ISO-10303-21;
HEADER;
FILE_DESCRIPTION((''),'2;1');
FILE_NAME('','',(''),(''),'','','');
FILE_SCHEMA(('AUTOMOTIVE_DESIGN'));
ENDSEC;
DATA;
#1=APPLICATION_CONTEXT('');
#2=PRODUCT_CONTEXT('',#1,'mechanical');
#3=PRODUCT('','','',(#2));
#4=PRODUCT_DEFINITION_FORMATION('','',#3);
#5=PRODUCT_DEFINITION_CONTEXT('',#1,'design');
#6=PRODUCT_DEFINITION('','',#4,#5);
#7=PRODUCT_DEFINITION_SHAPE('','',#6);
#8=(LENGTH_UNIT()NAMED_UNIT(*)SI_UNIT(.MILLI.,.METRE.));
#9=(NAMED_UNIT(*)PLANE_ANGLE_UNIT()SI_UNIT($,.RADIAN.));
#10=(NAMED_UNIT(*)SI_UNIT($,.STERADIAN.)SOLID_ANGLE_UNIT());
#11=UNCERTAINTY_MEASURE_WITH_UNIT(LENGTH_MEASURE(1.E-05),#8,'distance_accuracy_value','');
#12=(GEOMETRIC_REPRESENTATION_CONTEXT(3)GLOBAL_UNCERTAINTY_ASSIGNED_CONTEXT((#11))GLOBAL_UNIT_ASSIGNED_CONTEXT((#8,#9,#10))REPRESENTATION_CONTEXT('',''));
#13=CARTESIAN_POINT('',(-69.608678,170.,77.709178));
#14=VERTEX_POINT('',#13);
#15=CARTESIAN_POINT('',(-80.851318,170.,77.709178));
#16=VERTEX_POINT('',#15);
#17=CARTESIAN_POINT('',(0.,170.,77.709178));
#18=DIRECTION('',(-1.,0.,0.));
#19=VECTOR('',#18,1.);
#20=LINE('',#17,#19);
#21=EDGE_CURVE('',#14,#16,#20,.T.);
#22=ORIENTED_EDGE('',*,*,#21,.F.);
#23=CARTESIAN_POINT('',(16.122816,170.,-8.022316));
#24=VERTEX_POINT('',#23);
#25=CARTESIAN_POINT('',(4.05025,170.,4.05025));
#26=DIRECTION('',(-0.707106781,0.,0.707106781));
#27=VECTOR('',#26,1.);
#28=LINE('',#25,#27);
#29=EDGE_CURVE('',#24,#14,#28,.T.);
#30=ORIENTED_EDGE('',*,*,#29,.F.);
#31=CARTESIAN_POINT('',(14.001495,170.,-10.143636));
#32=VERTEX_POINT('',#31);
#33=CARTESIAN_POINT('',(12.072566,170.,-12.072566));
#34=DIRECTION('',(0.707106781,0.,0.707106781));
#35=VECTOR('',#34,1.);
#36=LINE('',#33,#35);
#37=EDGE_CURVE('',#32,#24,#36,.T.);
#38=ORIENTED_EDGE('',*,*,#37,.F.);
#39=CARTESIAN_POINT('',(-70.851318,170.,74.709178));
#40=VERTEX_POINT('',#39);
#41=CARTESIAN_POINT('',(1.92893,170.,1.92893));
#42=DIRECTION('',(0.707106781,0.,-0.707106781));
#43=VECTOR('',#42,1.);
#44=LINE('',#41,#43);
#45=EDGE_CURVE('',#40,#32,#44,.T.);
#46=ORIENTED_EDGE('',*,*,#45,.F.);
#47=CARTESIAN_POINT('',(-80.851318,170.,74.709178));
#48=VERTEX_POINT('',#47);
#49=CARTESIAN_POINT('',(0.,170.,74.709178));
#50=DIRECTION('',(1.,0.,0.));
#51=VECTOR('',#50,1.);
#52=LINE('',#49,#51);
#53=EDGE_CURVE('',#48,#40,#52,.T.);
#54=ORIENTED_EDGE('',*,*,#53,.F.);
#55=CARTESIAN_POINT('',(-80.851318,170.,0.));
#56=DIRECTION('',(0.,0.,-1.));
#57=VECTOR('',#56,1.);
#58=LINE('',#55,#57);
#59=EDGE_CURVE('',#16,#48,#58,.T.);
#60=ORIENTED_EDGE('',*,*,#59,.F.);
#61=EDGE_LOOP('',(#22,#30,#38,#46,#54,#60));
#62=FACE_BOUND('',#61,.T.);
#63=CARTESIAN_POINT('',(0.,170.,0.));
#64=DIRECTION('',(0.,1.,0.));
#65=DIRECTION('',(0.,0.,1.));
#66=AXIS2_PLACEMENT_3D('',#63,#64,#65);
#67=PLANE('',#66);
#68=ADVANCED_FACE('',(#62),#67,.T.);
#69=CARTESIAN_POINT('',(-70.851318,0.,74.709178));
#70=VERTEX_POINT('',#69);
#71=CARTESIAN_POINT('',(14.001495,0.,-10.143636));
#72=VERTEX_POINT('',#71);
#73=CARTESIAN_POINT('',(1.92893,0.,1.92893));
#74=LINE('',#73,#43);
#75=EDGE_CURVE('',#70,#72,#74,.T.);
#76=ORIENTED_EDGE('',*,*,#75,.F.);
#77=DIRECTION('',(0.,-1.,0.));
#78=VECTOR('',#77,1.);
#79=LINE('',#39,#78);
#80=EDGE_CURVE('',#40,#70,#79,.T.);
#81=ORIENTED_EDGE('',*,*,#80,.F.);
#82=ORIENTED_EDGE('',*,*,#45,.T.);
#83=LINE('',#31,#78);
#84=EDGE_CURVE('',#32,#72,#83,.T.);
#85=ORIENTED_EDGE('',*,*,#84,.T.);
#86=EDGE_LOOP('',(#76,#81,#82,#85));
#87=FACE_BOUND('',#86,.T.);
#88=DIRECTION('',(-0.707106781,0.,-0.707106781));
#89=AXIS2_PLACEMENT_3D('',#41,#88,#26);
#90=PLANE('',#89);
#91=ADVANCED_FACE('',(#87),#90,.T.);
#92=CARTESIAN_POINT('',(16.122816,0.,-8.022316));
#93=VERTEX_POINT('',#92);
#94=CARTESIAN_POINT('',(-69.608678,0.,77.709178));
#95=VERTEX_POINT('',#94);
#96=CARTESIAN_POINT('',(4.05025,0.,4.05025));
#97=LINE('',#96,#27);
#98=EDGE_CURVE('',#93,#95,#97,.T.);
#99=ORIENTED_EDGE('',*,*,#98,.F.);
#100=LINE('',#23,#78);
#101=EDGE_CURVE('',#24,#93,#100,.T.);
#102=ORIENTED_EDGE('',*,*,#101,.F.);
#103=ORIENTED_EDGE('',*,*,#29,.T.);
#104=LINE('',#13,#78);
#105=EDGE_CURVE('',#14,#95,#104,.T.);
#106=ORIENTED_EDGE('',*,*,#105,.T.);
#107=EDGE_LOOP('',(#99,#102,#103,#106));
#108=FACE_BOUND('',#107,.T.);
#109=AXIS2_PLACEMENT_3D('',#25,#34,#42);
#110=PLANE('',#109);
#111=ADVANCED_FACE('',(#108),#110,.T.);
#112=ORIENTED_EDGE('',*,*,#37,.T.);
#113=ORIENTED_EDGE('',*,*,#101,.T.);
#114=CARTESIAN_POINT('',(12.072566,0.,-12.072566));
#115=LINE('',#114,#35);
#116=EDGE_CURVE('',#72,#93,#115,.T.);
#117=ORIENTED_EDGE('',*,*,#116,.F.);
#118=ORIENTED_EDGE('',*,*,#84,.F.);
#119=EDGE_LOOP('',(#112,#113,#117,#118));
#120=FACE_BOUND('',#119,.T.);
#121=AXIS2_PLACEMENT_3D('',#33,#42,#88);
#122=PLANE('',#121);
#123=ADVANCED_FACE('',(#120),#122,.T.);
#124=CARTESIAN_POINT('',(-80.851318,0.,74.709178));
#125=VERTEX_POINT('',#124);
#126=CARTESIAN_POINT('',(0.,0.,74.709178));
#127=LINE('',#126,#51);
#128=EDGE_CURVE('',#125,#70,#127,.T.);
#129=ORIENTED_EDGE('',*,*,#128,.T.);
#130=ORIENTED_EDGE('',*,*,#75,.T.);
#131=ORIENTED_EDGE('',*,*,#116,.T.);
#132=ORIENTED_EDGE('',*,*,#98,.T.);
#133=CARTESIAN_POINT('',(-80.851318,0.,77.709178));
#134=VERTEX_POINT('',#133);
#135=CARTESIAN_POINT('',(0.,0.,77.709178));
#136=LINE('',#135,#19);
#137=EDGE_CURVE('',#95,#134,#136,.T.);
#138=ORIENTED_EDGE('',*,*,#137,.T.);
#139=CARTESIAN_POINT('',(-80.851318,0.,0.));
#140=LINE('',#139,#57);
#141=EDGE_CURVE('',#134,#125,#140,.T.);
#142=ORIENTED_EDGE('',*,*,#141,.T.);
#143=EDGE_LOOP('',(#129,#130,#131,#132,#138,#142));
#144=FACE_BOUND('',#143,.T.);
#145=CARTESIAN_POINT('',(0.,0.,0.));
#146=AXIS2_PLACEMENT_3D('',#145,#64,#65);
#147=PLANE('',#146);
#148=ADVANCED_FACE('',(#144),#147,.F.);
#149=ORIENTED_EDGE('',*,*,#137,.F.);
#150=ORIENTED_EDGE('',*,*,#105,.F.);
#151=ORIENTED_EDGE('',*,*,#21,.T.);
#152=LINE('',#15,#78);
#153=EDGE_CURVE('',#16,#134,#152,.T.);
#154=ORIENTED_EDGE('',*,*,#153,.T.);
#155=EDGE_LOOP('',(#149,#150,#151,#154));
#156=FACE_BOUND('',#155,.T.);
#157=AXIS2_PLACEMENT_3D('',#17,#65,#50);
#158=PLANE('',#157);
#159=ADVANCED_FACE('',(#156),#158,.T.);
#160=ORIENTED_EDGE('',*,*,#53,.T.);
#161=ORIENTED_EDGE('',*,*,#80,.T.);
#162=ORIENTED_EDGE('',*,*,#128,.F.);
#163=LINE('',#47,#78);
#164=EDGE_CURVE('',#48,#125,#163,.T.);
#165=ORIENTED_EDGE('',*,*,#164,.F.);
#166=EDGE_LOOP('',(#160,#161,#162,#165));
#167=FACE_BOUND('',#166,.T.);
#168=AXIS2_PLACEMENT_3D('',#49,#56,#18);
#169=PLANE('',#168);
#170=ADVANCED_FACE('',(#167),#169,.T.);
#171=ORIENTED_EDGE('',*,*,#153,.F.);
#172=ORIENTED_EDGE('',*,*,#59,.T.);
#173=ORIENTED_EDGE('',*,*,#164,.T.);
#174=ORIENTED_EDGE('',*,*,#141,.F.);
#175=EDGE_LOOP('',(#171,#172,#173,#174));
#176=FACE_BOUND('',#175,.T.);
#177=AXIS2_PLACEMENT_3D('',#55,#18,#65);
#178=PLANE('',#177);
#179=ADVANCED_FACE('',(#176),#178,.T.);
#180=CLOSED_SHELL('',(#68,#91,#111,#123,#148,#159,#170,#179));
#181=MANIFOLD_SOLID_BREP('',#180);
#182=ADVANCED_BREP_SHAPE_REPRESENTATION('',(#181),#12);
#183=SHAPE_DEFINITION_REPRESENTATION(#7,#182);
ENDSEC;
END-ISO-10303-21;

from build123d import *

# Parameters (mm, degrees)
SKETCH_1_W      = 10
SKETCH_1_H      = 3
EXTRUDE_1_DEPTH = 170


with BuildPart() as part:
    # 草图1 → 凸台-拉伸1 (new body)
    with BuildSketch(Plane(origin=(0, 0, 0), x_dir=(1, 0, 0), z_dir=(0, 1, 0))):
        Polygon((-69.608677765, -77.709177727), (-70.851318452, -77.709177727), (-70.851318452, -74.709177727), (14.001495291, 10.143636016), (16.122815634, 8.022315672), align=None)
        with Locations((-75.851318452, -76.209177727)):
            Rectangle(SKETCH_1_W, SKETCH_1_H)
    extrude(amount=EXTRUDE_1_DEPTH)


solid = part.part
